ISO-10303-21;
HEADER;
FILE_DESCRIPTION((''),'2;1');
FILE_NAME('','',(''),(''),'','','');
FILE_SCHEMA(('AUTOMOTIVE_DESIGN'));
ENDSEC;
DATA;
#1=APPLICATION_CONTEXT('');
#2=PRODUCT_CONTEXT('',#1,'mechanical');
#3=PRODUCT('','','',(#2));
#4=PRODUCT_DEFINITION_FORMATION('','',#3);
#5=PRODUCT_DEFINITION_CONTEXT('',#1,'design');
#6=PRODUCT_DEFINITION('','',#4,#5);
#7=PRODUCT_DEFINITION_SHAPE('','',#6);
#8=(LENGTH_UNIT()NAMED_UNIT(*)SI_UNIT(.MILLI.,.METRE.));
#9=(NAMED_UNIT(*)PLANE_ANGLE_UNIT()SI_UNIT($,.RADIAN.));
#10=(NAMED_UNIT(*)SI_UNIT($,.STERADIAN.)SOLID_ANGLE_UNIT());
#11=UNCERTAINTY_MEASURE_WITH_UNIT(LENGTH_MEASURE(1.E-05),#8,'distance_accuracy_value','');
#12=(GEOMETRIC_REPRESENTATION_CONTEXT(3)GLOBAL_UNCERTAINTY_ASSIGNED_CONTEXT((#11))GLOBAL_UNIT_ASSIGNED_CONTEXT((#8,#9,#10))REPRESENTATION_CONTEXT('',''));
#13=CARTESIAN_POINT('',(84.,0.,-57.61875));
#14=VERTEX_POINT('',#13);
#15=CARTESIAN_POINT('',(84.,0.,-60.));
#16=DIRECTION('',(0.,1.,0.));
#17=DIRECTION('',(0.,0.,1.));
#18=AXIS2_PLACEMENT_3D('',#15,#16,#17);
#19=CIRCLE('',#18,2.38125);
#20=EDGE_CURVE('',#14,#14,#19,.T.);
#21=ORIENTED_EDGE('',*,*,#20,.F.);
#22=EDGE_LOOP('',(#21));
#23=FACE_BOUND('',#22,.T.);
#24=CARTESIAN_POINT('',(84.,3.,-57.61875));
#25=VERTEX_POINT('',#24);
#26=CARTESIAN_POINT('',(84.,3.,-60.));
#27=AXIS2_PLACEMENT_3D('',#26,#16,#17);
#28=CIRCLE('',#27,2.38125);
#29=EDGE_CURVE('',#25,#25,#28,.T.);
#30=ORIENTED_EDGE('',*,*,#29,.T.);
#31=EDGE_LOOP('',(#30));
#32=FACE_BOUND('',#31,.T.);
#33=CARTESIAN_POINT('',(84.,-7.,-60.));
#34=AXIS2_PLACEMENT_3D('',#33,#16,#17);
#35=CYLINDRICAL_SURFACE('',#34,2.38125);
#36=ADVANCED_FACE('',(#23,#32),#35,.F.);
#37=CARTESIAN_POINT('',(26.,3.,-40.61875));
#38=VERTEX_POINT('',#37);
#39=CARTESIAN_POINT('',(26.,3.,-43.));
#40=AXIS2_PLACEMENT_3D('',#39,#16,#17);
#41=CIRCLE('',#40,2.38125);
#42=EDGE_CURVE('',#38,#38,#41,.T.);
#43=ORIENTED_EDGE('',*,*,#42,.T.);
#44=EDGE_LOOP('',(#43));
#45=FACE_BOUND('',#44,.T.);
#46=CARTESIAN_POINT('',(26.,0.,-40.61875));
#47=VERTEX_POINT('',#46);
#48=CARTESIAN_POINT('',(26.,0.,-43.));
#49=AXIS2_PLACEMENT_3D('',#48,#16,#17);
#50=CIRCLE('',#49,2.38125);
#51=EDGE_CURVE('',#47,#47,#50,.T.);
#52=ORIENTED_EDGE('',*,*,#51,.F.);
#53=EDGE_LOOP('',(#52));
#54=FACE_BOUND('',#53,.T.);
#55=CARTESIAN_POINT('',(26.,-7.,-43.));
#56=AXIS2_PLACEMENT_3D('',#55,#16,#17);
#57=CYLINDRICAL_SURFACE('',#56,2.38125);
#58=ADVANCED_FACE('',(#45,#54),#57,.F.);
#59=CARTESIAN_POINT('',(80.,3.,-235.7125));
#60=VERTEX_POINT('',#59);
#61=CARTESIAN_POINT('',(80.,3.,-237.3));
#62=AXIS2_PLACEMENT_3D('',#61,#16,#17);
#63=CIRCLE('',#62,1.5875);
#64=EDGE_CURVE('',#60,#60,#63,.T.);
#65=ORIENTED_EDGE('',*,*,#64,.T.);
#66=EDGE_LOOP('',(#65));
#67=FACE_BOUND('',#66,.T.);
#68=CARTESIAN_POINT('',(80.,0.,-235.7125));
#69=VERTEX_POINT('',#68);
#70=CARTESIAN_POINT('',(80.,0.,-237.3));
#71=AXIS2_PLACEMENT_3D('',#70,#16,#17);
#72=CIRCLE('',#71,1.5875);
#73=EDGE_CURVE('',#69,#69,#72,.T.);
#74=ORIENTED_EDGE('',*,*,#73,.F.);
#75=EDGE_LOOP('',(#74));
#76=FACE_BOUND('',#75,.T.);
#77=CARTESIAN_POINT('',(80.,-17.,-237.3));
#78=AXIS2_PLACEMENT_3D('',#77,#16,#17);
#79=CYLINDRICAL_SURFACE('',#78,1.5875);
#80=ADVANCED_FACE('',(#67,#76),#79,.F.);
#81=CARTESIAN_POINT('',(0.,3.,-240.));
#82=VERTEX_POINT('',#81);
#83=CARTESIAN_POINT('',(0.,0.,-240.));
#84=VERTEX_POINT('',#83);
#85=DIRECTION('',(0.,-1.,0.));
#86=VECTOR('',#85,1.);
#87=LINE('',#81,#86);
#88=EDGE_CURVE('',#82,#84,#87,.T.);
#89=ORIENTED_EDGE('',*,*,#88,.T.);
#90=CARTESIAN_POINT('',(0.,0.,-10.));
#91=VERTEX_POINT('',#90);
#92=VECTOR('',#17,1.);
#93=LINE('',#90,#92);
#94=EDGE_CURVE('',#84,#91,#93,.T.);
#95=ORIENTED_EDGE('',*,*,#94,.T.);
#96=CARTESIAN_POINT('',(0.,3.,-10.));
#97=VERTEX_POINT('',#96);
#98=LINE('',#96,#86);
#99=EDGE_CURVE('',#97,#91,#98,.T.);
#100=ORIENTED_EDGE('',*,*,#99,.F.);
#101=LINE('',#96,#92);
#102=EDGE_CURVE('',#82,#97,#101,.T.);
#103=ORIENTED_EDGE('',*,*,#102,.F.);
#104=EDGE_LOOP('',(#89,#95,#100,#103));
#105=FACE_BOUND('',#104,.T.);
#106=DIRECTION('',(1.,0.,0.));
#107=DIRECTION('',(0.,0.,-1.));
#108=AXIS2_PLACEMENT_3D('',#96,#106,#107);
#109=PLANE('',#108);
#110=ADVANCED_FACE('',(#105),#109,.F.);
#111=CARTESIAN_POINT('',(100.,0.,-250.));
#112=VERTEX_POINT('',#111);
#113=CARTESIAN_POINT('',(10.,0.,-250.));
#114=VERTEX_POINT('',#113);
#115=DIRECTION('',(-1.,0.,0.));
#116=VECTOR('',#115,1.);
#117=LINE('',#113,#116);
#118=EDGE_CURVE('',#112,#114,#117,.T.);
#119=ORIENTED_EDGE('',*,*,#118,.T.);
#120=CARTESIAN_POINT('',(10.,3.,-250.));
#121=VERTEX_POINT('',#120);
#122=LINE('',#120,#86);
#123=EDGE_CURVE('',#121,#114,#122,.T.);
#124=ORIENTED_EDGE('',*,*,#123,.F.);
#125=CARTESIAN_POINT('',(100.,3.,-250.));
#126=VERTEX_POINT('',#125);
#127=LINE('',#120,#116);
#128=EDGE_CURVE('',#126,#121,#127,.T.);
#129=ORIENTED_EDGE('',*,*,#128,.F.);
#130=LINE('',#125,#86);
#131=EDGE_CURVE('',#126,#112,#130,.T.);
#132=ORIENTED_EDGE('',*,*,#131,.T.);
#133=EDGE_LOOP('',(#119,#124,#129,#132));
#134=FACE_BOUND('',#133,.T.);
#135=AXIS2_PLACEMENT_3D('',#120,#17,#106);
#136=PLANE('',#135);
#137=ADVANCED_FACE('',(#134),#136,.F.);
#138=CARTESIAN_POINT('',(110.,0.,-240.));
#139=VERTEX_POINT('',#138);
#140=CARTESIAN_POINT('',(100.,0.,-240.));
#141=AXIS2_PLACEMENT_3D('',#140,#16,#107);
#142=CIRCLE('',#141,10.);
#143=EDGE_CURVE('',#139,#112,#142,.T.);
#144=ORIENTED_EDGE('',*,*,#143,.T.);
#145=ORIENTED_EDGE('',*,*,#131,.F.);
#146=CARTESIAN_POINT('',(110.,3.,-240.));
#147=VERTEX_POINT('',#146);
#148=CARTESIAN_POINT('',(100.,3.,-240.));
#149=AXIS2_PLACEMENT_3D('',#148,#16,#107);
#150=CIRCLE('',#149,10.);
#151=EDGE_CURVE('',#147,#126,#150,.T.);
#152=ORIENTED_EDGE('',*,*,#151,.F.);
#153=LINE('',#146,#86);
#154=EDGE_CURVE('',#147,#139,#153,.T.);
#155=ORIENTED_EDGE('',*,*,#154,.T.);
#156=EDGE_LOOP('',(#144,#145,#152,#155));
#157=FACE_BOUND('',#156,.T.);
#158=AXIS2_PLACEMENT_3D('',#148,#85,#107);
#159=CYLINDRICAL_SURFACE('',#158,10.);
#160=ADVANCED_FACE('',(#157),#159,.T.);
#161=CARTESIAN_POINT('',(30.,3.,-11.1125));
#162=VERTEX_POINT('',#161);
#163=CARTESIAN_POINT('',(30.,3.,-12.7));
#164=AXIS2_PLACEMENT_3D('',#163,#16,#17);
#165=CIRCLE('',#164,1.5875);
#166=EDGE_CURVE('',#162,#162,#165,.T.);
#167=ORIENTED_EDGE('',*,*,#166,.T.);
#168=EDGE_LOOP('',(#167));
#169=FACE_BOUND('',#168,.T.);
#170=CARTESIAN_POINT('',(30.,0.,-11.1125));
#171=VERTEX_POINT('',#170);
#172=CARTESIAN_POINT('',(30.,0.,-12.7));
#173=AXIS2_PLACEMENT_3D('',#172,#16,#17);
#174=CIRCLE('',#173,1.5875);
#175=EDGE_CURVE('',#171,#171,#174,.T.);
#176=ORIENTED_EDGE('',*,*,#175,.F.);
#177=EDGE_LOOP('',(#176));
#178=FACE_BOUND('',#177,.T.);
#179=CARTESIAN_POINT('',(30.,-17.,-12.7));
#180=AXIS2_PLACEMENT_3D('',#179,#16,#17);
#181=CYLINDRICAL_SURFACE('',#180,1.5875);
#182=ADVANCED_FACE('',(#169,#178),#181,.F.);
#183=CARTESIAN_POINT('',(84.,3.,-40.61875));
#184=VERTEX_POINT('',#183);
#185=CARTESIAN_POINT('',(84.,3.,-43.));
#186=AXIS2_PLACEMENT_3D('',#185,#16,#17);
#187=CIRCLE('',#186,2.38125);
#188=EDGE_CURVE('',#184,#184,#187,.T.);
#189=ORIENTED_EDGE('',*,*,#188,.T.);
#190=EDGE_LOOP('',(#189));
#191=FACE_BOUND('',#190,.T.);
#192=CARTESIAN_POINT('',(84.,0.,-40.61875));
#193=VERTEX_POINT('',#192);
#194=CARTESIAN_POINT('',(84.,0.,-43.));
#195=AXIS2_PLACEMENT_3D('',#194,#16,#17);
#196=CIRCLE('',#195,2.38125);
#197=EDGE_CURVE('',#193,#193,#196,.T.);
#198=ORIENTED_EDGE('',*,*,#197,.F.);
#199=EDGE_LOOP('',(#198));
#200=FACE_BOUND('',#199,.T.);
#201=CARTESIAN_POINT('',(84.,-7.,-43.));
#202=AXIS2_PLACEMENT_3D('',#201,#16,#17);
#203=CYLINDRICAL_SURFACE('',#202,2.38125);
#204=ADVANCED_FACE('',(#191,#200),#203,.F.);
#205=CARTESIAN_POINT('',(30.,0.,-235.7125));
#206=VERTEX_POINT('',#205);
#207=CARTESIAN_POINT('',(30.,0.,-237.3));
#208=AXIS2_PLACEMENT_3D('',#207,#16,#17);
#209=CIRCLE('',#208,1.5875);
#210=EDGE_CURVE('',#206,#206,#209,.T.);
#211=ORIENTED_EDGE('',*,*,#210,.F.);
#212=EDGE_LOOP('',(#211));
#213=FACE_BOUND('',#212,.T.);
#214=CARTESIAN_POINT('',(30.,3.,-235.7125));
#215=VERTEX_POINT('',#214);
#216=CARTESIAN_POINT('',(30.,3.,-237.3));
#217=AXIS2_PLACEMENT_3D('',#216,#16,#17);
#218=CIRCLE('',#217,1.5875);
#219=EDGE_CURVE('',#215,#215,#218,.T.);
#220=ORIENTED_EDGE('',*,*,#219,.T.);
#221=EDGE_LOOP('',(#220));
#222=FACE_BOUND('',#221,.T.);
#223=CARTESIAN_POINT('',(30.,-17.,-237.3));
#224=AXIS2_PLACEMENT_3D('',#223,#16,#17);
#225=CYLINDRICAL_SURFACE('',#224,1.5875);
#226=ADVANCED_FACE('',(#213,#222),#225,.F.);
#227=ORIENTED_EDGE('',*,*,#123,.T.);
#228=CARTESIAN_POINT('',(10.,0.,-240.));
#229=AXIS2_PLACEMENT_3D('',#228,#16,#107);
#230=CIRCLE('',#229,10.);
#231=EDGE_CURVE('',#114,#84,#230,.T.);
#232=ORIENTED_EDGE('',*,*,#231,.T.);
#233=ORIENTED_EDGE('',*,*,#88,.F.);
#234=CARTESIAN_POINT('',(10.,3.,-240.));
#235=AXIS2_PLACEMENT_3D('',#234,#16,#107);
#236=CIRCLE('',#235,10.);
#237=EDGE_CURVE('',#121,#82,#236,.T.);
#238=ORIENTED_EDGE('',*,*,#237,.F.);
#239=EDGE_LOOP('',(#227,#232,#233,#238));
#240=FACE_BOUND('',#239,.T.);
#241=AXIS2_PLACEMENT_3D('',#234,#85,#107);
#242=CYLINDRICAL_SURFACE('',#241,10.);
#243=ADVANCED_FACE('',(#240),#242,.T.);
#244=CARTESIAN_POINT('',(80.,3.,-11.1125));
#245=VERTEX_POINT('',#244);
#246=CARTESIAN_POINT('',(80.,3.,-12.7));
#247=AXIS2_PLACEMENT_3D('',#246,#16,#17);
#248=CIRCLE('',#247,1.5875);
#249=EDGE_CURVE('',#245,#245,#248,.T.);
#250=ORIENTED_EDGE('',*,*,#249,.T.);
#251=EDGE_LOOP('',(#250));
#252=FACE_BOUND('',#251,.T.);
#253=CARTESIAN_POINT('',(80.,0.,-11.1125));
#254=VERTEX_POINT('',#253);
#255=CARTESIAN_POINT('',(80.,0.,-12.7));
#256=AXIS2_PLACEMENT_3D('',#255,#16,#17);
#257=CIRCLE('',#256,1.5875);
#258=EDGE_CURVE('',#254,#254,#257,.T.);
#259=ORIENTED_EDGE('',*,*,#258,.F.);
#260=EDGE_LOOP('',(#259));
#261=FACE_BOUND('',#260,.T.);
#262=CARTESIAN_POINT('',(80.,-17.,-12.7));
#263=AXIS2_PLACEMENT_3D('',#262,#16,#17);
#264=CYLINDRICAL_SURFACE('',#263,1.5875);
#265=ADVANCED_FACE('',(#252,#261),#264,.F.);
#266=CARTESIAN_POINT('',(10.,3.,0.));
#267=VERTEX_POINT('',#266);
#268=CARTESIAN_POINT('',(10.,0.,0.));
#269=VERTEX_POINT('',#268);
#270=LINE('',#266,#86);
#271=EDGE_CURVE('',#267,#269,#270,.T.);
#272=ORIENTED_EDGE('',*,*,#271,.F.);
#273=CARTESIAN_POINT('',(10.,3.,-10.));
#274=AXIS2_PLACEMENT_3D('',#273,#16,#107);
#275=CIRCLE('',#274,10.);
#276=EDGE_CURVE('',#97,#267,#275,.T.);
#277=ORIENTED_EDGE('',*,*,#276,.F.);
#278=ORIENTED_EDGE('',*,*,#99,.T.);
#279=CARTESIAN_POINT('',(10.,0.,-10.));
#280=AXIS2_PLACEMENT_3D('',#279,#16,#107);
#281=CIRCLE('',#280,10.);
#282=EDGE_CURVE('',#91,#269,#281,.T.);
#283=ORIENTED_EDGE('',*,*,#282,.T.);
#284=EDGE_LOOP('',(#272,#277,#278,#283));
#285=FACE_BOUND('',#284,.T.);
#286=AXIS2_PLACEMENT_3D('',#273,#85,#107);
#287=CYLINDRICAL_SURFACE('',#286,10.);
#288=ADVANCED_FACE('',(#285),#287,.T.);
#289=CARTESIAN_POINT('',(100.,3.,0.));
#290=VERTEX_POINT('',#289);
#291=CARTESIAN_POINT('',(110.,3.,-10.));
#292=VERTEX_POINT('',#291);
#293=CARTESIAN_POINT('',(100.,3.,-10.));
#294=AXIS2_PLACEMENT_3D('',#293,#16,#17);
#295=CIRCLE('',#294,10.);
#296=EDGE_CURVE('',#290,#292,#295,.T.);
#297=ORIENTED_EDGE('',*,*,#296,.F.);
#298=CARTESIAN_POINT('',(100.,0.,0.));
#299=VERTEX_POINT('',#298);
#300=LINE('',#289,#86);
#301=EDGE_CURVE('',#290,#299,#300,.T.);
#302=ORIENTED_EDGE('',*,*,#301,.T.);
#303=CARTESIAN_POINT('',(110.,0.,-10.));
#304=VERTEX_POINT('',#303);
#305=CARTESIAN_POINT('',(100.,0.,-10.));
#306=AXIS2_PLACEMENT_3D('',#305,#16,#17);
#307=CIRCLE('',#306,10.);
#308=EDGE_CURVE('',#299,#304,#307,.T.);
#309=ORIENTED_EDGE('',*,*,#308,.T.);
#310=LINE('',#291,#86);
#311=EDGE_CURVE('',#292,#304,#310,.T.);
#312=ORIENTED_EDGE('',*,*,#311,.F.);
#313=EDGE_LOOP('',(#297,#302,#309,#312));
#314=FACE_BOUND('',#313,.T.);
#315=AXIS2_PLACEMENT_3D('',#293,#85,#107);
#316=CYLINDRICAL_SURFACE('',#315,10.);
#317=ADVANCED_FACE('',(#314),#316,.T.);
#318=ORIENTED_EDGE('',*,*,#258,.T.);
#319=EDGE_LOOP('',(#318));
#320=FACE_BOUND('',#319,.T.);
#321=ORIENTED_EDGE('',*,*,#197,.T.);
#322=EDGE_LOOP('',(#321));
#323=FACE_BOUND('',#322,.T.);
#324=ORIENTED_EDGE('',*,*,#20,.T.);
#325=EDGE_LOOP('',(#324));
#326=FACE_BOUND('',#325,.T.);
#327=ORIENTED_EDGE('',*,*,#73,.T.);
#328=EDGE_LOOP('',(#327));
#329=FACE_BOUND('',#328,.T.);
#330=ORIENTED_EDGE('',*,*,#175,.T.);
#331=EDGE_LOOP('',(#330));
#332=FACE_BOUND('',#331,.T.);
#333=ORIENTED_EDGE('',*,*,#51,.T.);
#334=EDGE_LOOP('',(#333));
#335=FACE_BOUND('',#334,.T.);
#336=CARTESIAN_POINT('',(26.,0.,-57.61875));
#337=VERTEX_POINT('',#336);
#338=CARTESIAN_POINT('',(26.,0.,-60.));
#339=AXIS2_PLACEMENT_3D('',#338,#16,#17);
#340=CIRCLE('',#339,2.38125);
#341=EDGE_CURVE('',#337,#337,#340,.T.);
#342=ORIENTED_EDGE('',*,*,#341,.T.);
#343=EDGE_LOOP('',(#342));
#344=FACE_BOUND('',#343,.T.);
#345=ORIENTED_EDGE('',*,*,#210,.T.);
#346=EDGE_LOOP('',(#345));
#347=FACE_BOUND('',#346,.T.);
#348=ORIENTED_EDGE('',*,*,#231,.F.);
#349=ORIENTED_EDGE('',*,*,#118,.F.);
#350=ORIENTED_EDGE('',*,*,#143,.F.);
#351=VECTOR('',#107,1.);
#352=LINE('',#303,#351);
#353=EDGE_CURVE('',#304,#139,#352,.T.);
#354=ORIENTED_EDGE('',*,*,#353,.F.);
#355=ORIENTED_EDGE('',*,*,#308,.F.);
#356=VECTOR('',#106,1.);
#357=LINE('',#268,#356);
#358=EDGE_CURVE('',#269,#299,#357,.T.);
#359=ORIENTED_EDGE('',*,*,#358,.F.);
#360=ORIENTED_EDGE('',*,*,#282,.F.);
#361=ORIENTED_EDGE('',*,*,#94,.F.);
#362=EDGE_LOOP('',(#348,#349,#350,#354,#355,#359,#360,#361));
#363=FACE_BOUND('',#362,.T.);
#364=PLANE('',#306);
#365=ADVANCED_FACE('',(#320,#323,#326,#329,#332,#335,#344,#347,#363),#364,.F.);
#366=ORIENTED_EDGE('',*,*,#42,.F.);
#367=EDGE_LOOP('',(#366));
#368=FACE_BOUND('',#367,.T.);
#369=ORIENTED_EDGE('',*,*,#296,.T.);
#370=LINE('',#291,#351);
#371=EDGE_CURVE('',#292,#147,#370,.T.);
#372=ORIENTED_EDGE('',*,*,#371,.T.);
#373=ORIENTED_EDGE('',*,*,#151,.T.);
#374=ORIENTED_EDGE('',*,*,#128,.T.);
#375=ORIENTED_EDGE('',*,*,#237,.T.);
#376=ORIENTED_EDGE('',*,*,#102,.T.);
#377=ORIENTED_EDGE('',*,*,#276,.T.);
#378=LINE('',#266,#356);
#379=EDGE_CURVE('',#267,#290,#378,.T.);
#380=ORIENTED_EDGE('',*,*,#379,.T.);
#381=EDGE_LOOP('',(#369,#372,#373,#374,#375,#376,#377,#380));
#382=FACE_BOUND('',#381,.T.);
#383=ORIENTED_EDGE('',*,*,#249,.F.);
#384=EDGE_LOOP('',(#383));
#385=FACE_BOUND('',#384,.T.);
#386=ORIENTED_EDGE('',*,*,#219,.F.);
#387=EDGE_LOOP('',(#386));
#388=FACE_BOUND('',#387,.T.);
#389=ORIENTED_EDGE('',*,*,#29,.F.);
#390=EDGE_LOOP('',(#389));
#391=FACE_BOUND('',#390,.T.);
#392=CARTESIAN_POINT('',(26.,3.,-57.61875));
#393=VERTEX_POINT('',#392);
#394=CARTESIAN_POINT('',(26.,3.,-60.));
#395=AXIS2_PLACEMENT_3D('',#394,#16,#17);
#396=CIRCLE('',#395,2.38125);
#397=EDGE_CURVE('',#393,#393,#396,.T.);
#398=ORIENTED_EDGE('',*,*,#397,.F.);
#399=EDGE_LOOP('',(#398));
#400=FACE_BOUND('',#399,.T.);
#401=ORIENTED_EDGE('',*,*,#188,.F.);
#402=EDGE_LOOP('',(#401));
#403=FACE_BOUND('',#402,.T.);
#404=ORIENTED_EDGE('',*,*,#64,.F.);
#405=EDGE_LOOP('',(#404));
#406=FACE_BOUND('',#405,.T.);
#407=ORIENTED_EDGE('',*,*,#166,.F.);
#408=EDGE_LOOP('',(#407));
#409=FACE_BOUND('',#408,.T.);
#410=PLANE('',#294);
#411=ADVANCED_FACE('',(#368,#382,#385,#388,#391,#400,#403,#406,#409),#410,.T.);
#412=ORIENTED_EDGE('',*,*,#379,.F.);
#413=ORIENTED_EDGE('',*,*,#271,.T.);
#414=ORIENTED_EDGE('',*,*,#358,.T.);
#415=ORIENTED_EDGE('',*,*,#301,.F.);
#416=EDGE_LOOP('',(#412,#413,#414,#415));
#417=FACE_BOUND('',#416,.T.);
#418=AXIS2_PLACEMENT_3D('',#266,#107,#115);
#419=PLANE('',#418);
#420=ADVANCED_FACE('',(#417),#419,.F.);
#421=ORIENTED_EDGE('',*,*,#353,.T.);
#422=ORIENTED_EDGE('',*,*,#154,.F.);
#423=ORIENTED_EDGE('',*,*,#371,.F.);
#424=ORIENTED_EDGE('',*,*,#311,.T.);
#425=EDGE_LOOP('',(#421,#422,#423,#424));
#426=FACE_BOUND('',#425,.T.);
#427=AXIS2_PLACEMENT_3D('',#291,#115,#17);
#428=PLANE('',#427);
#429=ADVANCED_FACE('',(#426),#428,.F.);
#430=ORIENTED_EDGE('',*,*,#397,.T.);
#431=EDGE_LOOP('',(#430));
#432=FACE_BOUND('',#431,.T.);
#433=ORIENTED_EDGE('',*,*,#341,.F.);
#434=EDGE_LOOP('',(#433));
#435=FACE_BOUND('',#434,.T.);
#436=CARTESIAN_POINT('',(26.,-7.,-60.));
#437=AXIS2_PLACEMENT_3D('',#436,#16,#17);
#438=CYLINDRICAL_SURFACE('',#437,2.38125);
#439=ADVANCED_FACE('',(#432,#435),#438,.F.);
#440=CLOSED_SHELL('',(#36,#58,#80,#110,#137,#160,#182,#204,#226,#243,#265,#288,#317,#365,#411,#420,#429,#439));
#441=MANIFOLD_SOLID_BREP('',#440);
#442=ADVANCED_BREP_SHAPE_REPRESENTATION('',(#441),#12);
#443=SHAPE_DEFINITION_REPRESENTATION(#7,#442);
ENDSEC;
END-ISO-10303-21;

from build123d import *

# Parameters (mm, degrees)
SALIENTE_EXTRUIR1_DEPTH = 3
CROQUIS2_R              = 1.5875
CORTAR_EXTRUIR1_DEPTH   = 20
CROQUIS3_R              = 2.38125
CORTAR_EXTRUIR2_DEPTH   = 10


with BuildPart() as part:
    # Croquis1 → Saliente-Extruir1 (new body)
    with BuildSketch(Plane(origin=(0, 0, 0), x_dir=(1, 0, 0), z_dir=(0, 1, 0))):
        with BuildLine():
            Line((10, 0), (100, 0))
            ThreePointArc((100, 0), (107.071067812, 2.928932188), (110, 10))
            Line((110, 10), (110, 240))
            ThreePointArc((110, 240), (107.071067812, 247.071067812), (100, 250))
            Line((100, 250), (10, 250))
            ThreePointArc((10, 250), (2.928932188, 247.071067812), (0, 240))
            Line((0, 240), (0, 10))
            ThreePointArc((0, 10), (2.928932188, 2.928932188), (10, 0))
        make_face()
    extrude(amount=SALIENTE_EXTRUIR1_DEPTH)

    # Croquis2 → Cortar-Extruir1 (cut)
    with BuildSketch(Plane(origin=(0, 3, 0), x_dir=(1, 0, 0), z_dir=(0, 1, 0))):
        with Locations((30, 237.3)):
            Circle(CROQUIS2_R)
        with Locations((80, 237.3)):
            Circle(CROQUIS2_R)
        with Locations((30, 12.7)):
            Circle(CROQUIS2_R)
        with Locations((80, 12.7)):
            Circle(CROQUIS2_R)
    extrude(amount=-CORTAR_EXTRUIR1_DEPTH, mode=Mode.SUBTRACT)

    # Croquis3 → Cortar-Extruir2 (cut)
    with BuildSketch(Plane(origin=(0, 3, 0), x_dir=(1, 0, 0), z_dir=(0, 1, 0))):
        with Locations((26, 60)):
            Circle(CROQUIS3_R)
        with Locations((84, 60)):
            Circle(CROQUIS3_R)
        with Locations((26, 43)):
            Circle(CROQUIS3_R)
        with Locations((84, 43)):
            Circle(CROQUIS3_R)
    extrude(amount=-CORTAR_EXTRUIR2_DEPTH, mode=Mode.SUBTRACT)


solid = part.part
